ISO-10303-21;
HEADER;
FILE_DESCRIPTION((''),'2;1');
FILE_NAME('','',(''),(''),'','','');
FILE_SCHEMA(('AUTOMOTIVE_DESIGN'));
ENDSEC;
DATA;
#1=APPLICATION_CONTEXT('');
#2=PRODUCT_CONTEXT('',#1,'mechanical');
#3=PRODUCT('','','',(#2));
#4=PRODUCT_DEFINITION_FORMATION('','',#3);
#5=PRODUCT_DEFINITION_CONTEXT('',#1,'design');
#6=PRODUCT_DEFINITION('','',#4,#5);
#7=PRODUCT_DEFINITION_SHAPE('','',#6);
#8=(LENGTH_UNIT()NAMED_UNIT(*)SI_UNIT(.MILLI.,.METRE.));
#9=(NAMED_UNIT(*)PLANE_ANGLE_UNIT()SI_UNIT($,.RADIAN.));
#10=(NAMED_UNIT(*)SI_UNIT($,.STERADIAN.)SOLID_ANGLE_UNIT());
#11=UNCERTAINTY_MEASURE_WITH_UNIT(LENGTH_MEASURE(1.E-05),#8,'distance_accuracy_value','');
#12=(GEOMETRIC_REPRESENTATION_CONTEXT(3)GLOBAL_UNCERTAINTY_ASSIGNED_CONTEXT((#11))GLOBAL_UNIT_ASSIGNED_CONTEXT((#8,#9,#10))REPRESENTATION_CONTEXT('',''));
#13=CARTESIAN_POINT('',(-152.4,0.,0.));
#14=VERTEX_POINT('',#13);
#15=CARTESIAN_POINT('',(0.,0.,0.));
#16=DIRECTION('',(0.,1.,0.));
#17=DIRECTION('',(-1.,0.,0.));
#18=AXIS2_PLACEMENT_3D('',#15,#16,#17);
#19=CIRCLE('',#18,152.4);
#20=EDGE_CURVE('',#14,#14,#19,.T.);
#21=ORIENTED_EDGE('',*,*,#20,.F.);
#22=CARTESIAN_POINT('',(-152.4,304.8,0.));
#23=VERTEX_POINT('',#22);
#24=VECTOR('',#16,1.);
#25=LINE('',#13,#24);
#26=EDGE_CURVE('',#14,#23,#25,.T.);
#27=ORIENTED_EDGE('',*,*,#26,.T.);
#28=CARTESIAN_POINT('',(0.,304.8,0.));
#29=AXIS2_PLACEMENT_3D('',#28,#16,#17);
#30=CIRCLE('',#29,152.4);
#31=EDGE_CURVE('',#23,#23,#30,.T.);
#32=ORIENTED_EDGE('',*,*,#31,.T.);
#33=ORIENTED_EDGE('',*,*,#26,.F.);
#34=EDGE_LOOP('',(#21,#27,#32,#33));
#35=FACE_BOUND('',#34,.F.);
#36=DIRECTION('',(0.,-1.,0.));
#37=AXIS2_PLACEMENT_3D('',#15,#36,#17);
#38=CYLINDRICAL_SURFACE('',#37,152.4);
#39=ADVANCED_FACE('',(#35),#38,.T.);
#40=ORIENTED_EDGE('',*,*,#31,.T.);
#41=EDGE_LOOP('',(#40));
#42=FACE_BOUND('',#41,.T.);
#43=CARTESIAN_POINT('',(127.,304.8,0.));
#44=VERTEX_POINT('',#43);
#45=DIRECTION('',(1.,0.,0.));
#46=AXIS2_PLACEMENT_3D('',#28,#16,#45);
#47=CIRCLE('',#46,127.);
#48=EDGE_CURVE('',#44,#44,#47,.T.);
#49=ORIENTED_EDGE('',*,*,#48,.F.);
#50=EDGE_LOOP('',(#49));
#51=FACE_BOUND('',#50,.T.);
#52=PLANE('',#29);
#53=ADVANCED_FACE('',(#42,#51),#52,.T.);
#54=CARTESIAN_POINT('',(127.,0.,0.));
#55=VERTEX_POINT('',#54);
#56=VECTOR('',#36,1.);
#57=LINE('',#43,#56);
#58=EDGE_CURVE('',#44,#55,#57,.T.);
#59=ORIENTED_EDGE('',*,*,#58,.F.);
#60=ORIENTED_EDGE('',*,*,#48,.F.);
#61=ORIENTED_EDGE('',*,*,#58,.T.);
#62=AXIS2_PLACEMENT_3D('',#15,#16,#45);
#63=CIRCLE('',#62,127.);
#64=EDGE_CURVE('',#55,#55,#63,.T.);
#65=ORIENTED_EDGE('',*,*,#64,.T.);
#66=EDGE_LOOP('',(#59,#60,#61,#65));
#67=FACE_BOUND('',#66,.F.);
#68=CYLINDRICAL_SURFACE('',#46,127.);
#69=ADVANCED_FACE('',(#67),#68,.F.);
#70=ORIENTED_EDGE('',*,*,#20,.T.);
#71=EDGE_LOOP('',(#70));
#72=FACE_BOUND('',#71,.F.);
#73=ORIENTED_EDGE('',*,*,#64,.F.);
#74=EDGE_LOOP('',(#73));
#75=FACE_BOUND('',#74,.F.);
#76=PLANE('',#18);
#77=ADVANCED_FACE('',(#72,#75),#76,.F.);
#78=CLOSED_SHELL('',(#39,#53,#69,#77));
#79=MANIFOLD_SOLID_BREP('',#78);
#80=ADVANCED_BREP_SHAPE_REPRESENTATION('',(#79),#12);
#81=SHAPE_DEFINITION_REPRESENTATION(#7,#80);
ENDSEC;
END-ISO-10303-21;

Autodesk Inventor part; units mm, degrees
ref_plane "YZ Plane" through (0, 0, 0) normal (1, 0, 0) x (0, 1, 0)
ref_plane "XZ Plane" through (0, 0, 0) normal (0, 1, 0) x (-1, 0, 0)
ref_plane "XY Plane" through (0, 0, 0) normal (0, 0, 1) x (1, 0, 0)
sketch "Sketch1" plane through (0, 0, 0) normal (0, 1, 0) x (-1, 0, 0)
  circle A0 centre (0, 0) radius 152.4
  dimension "d0" = 304.8
extrude "Extrusion1" add sketch "Sketch1" along normal blind 304.8
sketch "Sketch2" plane through (0, 304.8, 0) normal (0, 1, 0) x (1, 0, 0)
  circle A0 centre (0, 0) radius 127
  dimension "d3" = 254
extrude "Extrusion2" cut sketch "Sketch2" against normal through all
properties part number "capistan lower"
